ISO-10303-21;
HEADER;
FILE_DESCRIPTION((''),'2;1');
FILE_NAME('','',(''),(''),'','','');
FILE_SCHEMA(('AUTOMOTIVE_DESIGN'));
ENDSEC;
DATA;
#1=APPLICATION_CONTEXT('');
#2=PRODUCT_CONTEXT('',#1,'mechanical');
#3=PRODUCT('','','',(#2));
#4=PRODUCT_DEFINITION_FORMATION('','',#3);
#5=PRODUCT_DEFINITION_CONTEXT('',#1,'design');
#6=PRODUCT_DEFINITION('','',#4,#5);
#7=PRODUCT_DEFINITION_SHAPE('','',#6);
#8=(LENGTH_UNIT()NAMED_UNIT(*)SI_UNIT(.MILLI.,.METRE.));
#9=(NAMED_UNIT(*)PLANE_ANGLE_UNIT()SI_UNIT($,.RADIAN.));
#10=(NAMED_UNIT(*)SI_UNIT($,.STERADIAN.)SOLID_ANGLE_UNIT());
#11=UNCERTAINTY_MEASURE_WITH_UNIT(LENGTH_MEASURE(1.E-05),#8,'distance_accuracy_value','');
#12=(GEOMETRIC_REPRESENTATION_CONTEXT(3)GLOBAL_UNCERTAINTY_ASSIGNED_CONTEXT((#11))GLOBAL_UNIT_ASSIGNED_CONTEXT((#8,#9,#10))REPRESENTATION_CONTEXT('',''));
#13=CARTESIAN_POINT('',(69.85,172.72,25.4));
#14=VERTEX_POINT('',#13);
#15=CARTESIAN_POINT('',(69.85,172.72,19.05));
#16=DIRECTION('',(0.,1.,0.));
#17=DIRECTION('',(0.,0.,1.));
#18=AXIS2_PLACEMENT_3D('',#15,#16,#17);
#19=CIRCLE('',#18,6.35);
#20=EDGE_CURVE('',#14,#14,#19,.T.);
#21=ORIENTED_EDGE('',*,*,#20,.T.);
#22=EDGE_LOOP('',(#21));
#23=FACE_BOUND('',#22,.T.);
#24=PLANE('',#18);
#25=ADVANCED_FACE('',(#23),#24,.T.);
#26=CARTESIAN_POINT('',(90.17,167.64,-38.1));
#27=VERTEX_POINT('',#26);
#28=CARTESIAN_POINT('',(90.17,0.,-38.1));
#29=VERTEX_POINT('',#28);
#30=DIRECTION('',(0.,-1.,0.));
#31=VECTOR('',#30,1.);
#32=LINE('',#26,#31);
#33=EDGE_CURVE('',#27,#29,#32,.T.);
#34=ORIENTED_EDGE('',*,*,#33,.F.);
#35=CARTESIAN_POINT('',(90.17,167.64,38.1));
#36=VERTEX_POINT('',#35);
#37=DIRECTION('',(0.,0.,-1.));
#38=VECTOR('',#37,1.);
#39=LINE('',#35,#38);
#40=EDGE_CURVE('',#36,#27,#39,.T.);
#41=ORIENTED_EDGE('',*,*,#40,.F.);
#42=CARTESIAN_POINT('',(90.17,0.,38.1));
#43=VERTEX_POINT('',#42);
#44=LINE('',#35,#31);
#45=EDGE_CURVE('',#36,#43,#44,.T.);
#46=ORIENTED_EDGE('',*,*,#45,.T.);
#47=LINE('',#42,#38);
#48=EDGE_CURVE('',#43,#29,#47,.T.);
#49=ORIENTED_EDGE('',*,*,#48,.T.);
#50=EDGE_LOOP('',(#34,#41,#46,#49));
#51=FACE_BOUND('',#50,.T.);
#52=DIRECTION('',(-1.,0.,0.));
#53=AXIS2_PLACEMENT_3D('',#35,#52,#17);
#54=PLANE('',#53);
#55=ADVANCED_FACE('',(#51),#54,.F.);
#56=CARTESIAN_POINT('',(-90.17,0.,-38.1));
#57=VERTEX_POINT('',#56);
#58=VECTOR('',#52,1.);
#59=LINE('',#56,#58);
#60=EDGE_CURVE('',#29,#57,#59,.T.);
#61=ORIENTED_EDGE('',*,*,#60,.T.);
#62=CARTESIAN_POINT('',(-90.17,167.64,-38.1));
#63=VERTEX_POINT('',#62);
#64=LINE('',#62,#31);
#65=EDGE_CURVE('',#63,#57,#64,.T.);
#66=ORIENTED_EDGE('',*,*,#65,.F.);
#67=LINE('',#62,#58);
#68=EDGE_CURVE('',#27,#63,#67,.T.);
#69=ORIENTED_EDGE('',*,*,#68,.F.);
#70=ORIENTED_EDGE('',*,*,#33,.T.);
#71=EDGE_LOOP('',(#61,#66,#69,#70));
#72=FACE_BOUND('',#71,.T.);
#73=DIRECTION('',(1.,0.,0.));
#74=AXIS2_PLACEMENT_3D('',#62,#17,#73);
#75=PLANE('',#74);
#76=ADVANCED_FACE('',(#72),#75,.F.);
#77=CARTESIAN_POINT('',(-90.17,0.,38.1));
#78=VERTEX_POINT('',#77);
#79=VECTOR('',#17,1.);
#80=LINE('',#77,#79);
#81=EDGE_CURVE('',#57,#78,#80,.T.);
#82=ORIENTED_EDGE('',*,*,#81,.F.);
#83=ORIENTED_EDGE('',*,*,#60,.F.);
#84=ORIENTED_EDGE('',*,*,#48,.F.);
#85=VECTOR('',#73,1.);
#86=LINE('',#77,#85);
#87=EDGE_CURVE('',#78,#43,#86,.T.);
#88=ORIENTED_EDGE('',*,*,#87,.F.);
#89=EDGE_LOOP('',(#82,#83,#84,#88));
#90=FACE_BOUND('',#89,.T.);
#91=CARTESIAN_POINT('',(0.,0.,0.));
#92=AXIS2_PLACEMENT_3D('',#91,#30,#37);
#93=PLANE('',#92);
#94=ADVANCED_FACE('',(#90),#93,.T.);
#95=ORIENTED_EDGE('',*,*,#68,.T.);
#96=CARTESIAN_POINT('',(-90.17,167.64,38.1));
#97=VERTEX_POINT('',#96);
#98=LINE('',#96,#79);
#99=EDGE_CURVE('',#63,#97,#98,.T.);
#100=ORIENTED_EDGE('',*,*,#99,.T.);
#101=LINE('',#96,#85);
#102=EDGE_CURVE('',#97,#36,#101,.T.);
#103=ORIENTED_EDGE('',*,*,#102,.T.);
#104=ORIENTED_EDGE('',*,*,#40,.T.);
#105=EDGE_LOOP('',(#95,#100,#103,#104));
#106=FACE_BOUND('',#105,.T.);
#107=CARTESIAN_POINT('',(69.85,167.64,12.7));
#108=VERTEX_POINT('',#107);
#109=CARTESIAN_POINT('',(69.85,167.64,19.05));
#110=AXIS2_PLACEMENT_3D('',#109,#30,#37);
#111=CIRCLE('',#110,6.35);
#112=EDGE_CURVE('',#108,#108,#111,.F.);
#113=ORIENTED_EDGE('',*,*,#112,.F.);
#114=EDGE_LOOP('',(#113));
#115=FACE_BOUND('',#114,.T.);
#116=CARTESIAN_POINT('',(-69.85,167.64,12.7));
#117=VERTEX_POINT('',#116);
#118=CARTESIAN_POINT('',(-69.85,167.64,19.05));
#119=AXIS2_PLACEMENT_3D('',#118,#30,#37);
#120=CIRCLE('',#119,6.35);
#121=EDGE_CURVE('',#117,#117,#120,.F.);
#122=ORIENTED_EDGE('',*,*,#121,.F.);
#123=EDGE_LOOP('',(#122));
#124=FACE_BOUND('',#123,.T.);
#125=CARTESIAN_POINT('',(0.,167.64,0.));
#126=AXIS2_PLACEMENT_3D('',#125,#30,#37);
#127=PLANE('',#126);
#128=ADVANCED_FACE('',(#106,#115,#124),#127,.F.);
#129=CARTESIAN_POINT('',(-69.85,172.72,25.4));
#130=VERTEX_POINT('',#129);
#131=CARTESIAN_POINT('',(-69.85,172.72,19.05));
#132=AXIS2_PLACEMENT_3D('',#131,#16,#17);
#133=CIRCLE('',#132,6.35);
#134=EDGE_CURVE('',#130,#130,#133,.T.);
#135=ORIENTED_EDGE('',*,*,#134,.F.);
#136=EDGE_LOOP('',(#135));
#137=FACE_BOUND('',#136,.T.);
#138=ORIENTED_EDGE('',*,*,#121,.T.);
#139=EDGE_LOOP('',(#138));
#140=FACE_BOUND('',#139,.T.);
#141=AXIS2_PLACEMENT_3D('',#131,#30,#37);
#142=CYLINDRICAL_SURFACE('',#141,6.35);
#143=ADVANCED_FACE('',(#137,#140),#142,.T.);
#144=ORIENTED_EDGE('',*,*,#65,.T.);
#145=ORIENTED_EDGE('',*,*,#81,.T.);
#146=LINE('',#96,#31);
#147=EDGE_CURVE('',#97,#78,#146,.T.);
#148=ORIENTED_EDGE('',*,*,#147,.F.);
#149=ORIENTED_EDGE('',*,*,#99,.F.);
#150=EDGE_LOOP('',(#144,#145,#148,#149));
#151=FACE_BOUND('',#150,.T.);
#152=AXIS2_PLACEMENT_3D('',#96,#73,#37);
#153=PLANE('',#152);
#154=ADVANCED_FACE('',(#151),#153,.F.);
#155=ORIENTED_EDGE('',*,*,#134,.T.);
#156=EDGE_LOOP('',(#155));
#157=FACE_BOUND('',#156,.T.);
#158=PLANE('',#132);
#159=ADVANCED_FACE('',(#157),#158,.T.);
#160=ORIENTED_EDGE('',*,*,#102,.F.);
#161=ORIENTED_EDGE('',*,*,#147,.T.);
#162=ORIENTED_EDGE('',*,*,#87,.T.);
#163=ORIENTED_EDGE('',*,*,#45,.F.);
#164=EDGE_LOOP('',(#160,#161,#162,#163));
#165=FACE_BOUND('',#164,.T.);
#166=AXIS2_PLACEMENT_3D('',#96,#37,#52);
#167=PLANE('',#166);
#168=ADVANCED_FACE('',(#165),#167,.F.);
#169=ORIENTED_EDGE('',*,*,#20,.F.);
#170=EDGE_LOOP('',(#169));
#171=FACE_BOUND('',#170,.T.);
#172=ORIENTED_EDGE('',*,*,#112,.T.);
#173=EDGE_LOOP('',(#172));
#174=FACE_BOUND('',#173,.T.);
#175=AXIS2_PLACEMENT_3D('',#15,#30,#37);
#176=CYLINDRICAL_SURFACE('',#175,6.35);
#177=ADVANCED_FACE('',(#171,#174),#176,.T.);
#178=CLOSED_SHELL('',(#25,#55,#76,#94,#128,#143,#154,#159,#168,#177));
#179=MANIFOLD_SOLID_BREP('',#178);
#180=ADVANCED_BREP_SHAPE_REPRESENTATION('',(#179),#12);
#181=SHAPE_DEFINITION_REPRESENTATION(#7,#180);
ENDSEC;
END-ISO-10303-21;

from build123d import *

# Parameters (mm, degrees)
SKETCH1_W           = 180.34
SKETCH1_H           = 76.2
BOSS_EXTRUDE1_DEPTH = 167.64
SKETCH2_R           = 6.35
BOSS_EXTRUDE2_DEPTH = 5.08


with BuildPart() as part:
    # Sketch1 → Boss-Extrude1 (new body)
    with BuildSketch(Plane(origin=(0, 0, 0), x_dir=(1, 0, 0), z_dir=(0, 1, 0))):
        Rectangle(SKETCH1_W, SKETCH1_H)
    extrude(amount=BOSS_EXTRUDE1_DEPTH)

    # Sketch2 → Boss-Extrude2 (add)
    with BuildSketch(Plane(origin=(0, 167.64, 0), x_dir=(1, 0, 0), z_dir=(0, 1, 0))):
        with Locations(Location((-69.85, -19.05, 0), (0, 0, 90))):
            Circle(SKETCH2_R)
        with Locations(Location((69.85, -19.05, 0), (0, 0, 90))):
            Circle(SKETCH2_R)
    extrude(amount=BOSS_EXTRUDE2_DEPTH)


solid = part.part
